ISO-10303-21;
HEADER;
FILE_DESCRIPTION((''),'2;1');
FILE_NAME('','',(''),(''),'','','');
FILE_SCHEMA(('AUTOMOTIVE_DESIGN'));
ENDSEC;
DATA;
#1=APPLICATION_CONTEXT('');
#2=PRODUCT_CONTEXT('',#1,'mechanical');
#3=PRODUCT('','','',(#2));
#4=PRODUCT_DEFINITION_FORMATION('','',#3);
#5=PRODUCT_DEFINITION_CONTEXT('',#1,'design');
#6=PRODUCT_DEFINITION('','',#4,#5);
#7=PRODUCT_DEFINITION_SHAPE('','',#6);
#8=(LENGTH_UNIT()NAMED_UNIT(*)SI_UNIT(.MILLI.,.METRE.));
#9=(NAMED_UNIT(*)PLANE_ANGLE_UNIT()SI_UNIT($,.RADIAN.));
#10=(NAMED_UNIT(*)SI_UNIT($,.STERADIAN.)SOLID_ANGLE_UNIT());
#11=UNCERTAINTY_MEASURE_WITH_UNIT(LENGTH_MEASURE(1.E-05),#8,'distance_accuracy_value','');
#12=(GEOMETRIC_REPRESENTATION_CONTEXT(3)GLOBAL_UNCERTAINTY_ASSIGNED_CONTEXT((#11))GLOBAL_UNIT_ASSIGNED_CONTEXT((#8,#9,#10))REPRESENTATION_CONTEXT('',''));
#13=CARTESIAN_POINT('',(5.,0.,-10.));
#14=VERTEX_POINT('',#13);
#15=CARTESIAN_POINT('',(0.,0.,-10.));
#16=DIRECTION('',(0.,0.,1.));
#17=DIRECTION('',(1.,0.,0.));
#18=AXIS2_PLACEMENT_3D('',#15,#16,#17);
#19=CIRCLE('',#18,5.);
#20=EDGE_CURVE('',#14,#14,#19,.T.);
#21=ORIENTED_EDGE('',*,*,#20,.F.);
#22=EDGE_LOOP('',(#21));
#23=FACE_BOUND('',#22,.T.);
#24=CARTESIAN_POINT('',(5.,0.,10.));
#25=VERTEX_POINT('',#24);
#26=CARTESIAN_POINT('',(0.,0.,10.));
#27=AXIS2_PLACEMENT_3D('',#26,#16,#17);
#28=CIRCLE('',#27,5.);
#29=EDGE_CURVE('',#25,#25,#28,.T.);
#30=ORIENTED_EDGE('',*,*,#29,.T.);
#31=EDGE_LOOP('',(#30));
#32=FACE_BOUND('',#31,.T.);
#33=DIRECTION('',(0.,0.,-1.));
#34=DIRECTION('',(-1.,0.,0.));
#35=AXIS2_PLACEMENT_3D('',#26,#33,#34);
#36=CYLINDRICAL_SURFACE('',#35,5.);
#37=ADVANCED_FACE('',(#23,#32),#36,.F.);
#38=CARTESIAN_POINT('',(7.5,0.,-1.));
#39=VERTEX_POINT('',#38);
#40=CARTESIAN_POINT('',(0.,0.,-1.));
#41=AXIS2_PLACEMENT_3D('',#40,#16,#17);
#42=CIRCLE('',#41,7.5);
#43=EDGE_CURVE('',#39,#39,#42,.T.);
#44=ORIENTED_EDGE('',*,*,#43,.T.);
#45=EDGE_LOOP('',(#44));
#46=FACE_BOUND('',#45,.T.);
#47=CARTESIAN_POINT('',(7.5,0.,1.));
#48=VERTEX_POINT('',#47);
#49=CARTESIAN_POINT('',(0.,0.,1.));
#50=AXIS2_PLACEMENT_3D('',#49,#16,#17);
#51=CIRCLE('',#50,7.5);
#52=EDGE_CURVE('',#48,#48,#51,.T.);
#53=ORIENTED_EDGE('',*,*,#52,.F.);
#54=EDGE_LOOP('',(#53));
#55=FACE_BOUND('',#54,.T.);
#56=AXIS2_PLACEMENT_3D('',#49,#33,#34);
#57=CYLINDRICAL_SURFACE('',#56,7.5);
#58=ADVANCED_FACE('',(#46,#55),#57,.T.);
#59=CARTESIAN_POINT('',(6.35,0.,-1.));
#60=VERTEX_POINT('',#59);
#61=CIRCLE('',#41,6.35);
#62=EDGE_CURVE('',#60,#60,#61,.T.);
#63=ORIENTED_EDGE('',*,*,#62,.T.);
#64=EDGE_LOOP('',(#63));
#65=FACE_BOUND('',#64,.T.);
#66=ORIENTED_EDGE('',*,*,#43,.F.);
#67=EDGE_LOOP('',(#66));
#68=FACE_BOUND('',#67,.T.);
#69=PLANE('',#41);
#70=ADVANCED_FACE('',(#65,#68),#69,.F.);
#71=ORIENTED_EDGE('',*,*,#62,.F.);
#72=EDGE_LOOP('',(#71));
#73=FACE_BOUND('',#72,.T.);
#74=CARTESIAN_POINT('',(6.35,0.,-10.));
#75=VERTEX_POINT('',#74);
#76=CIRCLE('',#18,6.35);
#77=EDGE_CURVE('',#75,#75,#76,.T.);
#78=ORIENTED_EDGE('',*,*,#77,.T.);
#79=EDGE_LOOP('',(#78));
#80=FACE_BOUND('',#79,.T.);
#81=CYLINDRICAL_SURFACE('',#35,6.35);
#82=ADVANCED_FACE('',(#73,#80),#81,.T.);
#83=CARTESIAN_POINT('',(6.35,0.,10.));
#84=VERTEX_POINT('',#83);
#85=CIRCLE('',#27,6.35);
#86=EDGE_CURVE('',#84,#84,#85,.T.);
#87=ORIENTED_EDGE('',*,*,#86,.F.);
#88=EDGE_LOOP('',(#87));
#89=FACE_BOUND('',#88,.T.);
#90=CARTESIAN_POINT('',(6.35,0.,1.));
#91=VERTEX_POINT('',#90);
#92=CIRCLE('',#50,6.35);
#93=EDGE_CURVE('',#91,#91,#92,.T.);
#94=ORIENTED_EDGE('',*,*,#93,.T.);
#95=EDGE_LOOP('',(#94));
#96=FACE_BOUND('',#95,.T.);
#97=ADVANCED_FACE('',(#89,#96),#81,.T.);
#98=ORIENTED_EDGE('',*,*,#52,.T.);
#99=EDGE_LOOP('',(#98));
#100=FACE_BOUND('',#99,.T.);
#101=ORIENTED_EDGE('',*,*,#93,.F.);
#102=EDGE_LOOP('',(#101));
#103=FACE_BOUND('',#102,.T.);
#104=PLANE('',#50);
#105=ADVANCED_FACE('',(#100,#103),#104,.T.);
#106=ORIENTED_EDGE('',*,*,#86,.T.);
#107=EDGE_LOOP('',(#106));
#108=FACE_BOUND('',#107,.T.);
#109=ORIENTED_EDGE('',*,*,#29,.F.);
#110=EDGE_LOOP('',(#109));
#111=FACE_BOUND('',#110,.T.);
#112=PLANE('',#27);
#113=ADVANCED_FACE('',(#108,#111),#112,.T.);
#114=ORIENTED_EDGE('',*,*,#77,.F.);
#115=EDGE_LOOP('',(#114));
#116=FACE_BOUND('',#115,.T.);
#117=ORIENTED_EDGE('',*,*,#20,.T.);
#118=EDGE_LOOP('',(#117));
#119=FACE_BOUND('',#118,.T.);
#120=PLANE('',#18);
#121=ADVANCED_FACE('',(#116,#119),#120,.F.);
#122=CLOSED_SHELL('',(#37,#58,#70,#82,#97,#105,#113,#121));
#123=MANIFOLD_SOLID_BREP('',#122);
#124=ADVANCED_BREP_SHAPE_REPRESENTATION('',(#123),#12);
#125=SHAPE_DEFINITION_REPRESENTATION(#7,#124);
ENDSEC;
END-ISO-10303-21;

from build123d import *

# Parameters (mm, degrees)
SKETCH1_R           = 6.35
SKETCH1_R_2         = 5
BOSS_EXTRUDE1_DEPTH = 10
SKETCH2_R           = 7.5
SKETCH2_R_2         = 6.35
BOSS_EXTRUDE2_DEPTH = 1


with BuildPart() as part:
    # Sketch1 → Boss-Extrude1 (new body, symmetric)
    with BuildSketch(Plane.XY):
        Circle(SKETCH1_R)
        Circle(SKETCH1_R_2, mode=Mode.SUBTRACT)
    extrude(amount=BOSS_EXTRUDE1_DEPTH, both=True)

    # Sketch2 → Boss-Extrude2 (add, symmetric)
    with BuildSketch(Plane.XY):
        Circle(SKETCH2_R)
        Circle(SKETCH2_R_2, mode=Mode.SUBTRACT)
    extrude(amount=BOSS_EXTRUDE2_DEPTH, both=True)


solid = part.part
